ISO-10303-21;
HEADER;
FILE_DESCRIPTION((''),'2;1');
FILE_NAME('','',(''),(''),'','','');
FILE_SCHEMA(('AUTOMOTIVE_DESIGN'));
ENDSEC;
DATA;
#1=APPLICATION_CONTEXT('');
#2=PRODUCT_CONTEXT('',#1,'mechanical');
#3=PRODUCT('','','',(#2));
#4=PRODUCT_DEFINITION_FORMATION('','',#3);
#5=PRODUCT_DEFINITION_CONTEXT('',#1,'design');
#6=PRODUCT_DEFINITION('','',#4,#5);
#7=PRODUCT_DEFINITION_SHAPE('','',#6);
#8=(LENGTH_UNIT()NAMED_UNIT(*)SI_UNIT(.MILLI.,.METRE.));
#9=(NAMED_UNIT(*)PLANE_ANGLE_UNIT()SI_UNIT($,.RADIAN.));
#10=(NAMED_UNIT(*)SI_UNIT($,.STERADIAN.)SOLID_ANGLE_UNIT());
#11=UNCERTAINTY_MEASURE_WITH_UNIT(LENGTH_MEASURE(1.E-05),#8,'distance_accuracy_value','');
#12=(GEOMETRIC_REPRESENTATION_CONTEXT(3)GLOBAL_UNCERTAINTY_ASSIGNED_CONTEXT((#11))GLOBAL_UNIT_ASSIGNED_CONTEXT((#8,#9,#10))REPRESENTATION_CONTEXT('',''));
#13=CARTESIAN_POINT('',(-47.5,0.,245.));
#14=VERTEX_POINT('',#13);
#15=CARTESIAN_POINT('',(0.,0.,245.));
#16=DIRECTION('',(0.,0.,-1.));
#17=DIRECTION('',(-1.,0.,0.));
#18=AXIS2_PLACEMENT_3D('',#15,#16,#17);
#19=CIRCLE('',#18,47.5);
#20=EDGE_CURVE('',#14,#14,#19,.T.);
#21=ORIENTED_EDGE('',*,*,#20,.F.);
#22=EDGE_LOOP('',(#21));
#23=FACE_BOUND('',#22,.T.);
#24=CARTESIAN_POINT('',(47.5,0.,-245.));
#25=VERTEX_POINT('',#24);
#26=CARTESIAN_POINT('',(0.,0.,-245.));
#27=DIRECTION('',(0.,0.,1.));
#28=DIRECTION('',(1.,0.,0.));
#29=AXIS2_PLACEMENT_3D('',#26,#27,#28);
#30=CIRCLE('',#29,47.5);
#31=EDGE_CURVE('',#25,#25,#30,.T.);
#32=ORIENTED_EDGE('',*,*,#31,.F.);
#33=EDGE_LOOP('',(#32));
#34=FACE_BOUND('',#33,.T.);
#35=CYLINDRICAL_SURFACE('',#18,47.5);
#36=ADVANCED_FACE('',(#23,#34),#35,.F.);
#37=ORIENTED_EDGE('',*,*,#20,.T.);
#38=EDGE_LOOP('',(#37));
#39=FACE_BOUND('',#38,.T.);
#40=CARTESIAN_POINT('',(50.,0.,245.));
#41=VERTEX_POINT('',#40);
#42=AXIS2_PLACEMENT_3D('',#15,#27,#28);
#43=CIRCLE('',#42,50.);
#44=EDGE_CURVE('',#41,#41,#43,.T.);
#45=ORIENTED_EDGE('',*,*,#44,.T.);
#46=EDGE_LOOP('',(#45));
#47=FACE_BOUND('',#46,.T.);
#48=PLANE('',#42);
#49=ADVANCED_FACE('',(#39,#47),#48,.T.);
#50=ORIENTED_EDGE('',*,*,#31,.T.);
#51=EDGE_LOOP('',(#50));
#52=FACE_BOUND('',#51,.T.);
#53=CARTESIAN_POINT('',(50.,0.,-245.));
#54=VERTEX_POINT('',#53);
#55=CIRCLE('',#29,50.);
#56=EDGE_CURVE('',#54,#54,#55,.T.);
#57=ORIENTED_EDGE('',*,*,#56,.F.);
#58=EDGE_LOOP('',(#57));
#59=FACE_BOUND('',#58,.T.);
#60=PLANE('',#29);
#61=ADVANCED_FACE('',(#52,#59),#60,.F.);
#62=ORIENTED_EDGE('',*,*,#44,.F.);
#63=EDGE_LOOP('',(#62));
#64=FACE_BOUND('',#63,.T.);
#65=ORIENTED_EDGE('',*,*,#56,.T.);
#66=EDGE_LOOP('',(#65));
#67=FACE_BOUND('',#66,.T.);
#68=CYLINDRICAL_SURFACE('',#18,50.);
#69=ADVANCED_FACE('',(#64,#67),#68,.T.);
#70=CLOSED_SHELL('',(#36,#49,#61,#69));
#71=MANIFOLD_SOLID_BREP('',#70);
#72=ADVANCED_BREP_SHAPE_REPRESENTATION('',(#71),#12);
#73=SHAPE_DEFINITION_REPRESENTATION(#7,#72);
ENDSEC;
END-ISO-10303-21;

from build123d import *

# Parameters (mm, degrees)
SKETCH1_R                = 50
BOSS_EXTRUDE1_DEPTH      = 245
BOSS_EXTRUDE1_DEPTH_BACK = 245
SKETCH2_R                = 47.5
CUT_EXTRUDE25_DEPTH      = 1
CUT_EXTRUDE25_DEPTH_BACK = 491


with BuildPart() as part:
    # Sketch1 → Boss-Extrude1 (new body, two sides)
    with BuildSketch(Plane.XY) as boss_extrude1_sk:
        Circle(SKETCH1_R)
    extrude(amount=BOSS_EXTRUDE1_DEPTH)
    extrude(boss_extrude1_sk.sketch, amount=-BOSS_EXTRUDE1_DEPTH_BACK)

    # Sketch2 → Cut-Extrude25 (cut, two sides)
    with BuildSketch(Plane(origin=(0, 0, -245), x_dir=(-1, 0, 0), z_dir=(0, 0, -1))) as cut_extrude25_sk:
        Circle(SKETCH2_R)
    extrude(amount=CUT_EXTRUDE25_DEPTH, mode=Mode.SUBTRACT)
    extrude(cut_extrude25_sk.sketch, amount=-CUT_EXTRUDE25_DEPTH_BACK, mode=Mode.SUBTRACT)


solid = part.part
